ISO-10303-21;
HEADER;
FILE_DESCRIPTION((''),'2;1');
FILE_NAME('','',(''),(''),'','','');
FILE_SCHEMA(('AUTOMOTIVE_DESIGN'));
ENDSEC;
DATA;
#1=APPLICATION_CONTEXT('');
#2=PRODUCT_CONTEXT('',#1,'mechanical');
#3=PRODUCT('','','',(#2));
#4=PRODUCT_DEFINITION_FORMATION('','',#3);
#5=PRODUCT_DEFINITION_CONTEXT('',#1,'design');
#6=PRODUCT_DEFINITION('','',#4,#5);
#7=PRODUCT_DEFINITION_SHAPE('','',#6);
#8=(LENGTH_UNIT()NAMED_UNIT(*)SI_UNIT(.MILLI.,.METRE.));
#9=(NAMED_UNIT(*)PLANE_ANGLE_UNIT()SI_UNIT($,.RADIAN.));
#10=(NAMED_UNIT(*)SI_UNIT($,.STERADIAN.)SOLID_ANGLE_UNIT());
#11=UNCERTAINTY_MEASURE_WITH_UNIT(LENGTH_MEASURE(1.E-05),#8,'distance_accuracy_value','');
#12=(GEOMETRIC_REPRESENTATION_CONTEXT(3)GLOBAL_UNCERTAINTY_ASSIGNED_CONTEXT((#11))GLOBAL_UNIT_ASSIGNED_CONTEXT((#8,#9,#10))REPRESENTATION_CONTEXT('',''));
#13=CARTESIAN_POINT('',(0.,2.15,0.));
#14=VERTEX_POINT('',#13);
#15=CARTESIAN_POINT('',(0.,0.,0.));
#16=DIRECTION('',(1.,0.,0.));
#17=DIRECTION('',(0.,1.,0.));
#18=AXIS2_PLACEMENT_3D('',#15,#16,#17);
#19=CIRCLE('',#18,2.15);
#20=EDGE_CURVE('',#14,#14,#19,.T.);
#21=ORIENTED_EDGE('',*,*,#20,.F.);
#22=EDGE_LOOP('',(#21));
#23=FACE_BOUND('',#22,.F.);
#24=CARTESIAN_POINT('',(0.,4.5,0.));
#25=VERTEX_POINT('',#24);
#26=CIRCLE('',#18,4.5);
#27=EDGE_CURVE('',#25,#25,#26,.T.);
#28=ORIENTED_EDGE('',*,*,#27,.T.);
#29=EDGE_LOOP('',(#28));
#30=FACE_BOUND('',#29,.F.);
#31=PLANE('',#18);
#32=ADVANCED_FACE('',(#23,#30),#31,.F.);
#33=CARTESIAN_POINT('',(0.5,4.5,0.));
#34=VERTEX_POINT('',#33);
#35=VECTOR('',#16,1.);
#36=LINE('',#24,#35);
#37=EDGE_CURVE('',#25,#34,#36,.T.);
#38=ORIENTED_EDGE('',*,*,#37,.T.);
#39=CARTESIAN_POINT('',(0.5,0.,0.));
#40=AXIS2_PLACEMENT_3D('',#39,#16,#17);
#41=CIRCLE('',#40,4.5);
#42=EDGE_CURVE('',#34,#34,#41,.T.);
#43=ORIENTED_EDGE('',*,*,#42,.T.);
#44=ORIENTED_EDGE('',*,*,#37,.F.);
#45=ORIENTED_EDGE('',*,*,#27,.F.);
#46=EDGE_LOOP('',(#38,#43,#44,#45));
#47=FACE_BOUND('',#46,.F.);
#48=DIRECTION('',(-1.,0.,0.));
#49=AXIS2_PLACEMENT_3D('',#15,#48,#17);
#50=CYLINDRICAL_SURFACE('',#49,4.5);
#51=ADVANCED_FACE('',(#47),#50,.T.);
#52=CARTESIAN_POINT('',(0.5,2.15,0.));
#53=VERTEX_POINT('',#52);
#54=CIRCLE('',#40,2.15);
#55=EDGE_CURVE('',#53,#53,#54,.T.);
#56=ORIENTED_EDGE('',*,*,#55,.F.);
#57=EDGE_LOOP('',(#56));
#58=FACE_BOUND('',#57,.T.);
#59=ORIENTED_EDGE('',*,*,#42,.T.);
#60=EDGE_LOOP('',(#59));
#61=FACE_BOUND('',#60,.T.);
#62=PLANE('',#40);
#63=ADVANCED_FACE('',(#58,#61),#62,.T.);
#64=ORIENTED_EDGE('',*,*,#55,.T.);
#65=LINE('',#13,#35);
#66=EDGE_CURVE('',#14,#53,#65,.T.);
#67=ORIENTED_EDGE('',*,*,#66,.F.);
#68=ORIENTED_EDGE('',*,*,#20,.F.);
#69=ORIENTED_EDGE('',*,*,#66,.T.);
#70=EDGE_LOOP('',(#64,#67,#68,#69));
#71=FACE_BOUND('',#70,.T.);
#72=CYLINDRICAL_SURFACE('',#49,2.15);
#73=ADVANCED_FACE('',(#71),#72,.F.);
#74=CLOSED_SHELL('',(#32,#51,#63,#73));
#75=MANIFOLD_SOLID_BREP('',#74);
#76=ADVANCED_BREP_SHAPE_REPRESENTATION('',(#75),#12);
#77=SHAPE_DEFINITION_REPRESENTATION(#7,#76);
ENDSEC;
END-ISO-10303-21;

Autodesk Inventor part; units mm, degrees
ref_plane "YZ Plane" through (0, 0, 0) normal (1, 0, 0) x (0, 1, 0)
ref_plane "XZ Plane" through (0, 0, 0) normal (0, 1, 0) x (-1, 0, 0)
sketch "Sketch" plane through (0, 0, 0) normal (1, 0, 0) x (0, 1, 0)
  circle A0 centre (0, 0) radius 4.5
  circle A1 centre (0, 0) radius 2.15
  dimension "d0" = 4.3
  dimension "d1" = 9
extrude "Body" add sketch "Sketch" along normal blind 0.5
ref_plane "Work Plane1" through (0, 0, 0) normal (0, 0, 1) x (1, 0, 0)
equation "\"d0\" = SD1"
equation "\"d1\" = SD2"
equation "\"d2\" = SD"
equation "\"SD1\" = 4.3"
equation "\"SD2\" = 9"
equation "\"SD\" = 0.5"
equation "\"SDH\" = 2"
equation "\"NND\" = 4"
properties part number "DIN 137 - B4" material "Steel, Mild"
